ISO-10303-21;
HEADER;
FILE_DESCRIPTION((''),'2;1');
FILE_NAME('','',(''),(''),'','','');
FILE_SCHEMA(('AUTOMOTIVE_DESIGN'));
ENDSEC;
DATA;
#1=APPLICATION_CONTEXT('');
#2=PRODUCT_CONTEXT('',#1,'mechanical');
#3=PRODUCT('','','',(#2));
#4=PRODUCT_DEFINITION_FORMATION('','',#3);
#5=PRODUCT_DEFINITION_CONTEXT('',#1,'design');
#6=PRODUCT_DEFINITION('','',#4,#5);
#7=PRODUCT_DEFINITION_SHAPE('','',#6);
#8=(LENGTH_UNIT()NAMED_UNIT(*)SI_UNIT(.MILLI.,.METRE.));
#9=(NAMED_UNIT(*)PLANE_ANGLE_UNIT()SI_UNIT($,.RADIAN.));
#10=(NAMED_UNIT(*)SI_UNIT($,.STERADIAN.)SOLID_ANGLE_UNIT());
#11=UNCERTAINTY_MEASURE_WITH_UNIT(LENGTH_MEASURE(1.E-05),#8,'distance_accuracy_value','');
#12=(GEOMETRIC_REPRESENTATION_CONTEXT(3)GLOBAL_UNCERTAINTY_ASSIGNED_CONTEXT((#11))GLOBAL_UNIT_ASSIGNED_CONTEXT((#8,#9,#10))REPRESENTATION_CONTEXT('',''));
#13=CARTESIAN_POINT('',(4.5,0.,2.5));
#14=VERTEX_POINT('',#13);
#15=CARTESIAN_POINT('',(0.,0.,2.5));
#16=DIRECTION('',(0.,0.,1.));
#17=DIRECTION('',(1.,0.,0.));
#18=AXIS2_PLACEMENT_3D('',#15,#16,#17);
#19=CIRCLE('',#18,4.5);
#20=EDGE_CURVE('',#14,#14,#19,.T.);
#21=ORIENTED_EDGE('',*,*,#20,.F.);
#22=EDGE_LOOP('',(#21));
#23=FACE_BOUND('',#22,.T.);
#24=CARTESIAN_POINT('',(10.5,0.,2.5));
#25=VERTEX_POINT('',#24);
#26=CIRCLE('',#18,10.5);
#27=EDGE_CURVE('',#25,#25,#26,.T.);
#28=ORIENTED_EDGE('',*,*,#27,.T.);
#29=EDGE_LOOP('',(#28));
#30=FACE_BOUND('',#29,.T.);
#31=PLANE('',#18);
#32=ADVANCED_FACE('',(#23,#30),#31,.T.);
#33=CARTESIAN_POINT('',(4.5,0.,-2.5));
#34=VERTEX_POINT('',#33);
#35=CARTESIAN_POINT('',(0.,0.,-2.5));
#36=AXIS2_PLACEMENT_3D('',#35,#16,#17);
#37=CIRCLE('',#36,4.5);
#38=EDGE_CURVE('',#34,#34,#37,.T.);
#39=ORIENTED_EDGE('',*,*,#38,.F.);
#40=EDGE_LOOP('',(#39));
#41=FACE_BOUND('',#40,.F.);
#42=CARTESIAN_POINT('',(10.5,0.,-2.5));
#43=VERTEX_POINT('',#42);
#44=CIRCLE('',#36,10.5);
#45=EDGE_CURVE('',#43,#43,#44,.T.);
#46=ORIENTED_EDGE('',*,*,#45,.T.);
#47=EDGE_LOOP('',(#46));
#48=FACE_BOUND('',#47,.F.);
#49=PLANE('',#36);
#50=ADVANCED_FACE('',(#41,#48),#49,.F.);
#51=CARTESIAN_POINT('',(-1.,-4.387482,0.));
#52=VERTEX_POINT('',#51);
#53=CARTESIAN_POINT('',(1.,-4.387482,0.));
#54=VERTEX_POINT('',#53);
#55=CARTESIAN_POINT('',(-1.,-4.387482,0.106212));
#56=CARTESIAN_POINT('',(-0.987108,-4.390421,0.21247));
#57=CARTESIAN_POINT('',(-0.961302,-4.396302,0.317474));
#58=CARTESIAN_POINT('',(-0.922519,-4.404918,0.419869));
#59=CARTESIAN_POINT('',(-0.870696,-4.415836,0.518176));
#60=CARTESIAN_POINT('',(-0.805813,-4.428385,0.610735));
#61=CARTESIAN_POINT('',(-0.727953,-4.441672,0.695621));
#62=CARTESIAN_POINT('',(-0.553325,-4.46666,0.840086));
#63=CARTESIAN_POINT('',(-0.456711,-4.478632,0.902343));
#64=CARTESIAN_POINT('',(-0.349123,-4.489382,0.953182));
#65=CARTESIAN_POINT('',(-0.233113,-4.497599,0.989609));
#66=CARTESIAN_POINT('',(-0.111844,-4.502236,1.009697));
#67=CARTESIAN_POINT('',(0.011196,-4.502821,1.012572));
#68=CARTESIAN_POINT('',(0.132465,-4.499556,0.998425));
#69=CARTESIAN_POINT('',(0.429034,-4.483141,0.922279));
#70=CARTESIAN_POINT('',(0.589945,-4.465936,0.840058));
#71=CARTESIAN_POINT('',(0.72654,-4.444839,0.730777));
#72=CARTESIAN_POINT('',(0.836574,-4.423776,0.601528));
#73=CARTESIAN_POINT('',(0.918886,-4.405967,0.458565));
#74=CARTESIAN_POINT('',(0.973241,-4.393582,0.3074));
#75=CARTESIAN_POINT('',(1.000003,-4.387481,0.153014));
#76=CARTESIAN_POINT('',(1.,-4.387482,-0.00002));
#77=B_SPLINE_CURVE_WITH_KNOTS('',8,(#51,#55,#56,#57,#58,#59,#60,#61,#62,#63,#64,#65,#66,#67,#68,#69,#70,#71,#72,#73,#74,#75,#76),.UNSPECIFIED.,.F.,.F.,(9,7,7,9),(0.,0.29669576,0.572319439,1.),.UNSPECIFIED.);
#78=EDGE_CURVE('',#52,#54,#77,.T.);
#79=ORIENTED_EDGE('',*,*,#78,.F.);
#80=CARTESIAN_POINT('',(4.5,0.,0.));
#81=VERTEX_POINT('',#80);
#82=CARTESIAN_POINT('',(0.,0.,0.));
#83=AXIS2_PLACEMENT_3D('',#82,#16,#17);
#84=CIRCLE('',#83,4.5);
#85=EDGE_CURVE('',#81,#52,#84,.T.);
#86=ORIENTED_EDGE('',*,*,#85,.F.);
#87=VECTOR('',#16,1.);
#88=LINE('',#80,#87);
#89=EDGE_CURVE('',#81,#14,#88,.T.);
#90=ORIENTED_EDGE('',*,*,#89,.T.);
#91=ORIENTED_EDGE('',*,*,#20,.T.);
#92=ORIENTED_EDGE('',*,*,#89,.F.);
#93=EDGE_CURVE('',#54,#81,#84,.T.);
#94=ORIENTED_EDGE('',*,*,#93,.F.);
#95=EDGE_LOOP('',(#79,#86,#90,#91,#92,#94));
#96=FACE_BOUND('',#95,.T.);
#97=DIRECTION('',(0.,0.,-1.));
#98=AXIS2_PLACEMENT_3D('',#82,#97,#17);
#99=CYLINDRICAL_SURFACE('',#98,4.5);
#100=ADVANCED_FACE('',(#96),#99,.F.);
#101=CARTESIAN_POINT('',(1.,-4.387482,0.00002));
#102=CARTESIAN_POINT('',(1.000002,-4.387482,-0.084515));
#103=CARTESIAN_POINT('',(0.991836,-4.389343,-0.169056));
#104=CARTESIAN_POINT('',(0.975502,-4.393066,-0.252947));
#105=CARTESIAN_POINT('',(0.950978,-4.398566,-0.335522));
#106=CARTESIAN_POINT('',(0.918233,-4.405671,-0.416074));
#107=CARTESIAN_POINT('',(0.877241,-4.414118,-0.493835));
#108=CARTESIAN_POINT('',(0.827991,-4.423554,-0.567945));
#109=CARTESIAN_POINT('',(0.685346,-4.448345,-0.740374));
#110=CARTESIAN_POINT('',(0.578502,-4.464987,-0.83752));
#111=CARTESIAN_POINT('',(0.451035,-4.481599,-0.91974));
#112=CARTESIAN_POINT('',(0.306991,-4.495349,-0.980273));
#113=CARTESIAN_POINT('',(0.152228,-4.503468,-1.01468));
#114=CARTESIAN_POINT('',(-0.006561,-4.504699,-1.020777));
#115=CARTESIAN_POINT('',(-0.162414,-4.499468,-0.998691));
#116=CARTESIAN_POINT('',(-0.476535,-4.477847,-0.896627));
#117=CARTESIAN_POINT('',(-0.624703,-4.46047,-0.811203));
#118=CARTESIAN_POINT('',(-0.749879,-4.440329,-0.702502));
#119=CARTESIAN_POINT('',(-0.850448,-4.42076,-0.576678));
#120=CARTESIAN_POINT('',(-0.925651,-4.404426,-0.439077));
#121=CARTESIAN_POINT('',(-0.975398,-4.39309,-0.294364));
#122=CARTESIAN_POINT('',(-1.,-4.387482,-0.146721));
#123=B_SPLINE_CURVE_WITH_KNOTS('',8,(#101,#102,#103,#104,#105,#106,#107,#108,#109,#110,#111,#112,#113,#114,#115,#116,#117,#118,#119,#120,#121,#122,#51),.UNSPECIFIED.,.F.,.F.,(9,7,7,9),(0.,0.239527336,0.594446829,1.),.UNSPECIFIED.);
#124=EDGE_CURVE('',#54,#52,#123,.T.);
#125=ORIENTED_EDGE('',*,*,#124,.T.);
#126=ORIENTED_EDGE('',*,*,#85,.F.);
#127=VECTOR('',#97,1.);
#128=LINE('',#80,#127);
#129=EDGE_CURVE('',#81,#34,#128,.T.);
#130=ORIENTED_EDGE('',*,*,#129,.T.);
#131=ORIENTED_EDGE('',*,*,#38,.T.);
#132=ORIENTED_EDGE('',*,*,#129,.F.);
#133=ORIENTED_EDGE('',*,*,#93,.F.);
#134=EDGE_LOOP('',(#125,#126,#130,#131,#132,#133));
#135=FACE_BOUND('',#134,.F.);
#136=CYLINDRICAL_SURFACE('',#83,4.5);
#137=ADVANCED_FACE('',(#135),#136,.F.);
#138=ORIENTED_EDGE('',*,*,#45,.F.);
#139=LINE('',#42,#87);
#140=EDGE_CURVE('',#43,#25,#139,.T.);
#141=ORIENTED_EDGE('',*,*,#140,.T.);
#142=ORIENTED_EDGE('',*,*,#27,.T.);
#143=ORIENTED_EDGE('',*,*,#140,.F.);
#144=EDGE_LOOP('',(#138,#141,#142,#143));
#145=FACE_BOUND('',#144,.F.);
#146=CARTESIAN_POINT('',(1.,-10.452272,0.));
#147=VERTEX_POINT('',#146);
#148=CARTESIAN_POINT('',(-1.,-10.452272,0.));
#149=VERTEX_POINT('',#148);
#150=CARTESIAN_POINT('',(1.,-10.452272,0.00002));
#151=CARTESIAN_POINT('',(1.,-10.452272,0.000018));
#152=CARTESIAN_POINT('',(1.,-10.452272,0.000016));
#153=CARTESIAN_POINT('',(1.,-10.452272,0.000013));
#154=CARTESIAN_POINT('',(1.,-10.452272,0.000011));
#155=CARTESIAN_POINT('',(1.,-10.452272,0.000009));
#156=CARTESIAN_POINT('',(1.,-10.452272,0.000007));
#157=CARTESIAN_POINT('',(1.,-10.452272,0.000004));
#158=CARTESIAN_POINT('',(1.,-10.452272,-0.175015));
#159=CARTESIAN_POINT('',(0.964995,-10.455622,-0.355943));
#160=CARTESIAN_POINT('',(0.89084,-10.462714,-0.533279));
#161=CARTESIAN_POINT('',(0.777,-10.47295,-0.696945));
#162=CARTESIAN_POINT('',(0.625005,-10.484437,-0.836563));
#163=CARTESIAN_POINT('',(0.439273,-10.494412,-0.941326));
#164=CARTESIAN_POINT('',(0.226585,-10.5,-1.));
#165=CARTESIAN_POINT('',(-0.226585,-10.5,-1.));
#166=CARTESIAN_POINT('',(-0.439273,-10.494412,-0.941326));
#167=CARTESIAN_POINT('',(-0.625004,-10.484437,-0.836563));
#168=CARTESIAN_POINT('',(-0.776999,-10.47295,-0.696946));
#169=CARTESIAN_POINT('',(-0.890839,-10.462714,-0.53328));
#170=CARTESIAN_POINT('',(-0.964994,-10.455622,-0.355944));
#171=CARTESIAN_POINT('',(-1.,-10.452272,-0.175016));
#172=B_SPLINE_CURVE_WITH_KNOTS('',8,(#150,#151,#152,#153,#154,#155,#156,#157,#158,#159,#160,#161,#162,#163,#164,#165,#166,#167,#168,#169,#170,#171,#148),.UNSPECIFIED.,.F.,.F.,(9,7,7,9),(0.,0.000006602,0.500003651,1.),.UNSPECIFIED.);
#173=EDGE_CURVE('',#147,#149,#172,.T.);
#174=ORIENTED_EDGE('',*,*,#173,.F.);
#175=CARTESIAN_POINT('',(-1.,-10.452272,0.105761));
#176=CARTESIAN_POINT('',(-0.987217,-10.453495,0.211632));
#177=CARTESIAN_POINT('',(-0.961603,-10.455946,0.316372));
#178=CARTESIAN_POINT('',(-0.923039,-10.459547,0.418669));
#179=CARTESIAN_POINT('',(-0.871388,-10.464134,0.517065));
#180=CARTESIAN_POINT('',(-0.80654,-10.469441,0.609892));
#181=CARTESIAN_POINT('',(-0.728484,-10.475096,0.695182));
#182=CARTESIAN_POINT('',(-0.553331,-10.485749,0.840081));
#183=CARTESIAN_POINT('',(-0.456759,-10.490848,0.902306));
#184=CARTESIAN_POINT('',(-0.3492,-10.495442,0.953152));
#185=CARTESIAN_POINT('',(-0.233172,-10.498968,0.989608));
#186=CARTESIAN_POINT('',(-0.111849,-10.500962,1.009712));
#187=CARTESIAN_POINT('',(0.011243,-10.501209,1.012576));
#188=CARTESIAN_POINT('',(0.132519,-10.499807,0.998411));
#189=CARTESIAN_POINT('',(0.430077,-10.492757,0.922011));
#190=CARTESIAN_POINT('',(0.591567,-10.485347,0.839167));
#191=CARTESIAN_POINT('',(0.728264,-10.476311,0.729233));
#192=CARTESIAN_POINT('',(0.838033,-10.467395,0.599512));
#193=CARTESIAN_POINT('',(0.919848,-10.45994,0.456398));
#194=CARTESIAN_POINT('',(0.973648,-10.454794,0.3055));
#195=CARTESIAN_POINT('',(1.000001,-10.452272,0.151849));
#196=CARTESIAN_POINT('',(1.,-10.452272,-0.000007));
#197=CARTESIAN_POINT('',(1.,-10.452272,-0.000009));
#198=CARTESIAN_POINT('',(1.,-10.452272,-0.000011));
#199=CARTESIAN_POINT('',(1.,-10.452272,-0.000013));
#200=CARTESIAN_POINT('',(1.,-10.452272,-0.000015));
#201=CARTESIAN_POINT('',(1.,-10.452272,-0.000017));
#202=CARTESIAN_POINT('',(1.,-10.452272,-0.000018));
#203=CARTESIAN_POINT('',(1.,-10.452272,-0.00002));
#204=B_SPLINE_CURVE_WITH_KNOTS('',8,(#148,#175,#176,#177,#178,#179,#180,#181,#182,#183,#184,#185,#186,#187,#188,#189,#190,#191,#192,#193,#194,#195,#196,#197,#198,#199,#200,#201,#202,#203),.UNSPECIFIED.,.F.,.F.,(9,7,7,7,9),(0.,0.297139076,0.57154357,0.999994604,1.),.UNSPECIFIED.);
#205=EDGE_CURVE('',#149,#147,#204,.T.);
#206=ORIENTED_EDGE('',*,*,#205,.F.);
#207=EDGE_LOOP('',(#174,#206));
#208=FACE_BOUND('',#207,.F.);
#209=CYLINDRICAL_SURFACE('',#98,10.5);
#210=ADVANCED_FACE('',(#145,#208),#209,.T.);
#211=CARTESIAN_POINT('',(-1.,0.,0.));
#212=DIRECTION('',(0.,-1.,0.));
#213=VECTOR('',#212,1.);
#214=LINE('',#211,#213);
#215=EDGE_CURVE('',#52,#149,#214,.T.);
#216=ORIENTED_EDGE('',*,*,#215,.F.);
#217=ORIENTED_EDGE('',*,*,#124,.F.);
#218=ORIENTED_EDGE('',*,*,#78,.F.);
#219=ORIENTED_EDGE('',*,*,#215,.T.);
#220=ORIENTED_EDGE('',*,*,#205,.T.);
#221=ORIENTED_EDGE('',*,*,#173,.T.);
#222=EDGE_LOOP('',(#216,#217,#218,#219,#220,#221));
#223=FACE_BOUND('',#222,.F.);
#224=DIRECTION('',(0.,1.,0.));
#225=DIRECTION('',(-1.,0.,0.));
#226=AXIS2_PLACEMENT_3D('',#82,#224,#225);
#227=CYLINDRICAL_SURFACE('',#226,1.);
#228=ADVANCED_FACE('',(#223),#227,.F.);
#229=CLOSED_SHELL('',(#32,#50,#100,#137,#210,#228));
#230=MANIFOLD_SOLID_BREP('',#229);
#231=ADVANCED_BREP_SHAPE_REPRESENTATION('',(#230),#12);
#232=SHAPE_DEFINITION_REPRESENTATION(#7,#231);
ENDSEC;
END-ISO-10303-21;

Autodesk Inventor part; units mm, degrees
ref_plane "YZ Plane" through (0, 0, 0) normal (1, 0, 0) x (0, 1, 0)
ref_plane "XZ Plane" through (0, 0, 0) normal (0, 1, 0) x (-1, 0, 0)
ref_plane "XY Plane" through (0, 0, 0) normal (0, 0, 1) x (1, 0, 0)
sketch "Sketch1" plane through (0, 0, 0) normal (0, 0, 1) x (1, 0, 0)
  circle A0 centre (0, 0) radius 4.5
  circle A1 centre (0, 0) radius 10.5
  dimension "d0" = 9
  dimension "d1" = 6
extrude "Extrusion1" add sketch "Sketch1" along normal mid plane 5
sketch "Sketch2" plane through (0, 0, 0) normal (0, 1, 0) x (-1, 0, 0)
  circle A0 centre (0, 0) radius 1
  dimension "d4" = 2
extrude "Extrusion2" cut sketch "Sketch2" against normal through all
properties part number "StolLaas"
